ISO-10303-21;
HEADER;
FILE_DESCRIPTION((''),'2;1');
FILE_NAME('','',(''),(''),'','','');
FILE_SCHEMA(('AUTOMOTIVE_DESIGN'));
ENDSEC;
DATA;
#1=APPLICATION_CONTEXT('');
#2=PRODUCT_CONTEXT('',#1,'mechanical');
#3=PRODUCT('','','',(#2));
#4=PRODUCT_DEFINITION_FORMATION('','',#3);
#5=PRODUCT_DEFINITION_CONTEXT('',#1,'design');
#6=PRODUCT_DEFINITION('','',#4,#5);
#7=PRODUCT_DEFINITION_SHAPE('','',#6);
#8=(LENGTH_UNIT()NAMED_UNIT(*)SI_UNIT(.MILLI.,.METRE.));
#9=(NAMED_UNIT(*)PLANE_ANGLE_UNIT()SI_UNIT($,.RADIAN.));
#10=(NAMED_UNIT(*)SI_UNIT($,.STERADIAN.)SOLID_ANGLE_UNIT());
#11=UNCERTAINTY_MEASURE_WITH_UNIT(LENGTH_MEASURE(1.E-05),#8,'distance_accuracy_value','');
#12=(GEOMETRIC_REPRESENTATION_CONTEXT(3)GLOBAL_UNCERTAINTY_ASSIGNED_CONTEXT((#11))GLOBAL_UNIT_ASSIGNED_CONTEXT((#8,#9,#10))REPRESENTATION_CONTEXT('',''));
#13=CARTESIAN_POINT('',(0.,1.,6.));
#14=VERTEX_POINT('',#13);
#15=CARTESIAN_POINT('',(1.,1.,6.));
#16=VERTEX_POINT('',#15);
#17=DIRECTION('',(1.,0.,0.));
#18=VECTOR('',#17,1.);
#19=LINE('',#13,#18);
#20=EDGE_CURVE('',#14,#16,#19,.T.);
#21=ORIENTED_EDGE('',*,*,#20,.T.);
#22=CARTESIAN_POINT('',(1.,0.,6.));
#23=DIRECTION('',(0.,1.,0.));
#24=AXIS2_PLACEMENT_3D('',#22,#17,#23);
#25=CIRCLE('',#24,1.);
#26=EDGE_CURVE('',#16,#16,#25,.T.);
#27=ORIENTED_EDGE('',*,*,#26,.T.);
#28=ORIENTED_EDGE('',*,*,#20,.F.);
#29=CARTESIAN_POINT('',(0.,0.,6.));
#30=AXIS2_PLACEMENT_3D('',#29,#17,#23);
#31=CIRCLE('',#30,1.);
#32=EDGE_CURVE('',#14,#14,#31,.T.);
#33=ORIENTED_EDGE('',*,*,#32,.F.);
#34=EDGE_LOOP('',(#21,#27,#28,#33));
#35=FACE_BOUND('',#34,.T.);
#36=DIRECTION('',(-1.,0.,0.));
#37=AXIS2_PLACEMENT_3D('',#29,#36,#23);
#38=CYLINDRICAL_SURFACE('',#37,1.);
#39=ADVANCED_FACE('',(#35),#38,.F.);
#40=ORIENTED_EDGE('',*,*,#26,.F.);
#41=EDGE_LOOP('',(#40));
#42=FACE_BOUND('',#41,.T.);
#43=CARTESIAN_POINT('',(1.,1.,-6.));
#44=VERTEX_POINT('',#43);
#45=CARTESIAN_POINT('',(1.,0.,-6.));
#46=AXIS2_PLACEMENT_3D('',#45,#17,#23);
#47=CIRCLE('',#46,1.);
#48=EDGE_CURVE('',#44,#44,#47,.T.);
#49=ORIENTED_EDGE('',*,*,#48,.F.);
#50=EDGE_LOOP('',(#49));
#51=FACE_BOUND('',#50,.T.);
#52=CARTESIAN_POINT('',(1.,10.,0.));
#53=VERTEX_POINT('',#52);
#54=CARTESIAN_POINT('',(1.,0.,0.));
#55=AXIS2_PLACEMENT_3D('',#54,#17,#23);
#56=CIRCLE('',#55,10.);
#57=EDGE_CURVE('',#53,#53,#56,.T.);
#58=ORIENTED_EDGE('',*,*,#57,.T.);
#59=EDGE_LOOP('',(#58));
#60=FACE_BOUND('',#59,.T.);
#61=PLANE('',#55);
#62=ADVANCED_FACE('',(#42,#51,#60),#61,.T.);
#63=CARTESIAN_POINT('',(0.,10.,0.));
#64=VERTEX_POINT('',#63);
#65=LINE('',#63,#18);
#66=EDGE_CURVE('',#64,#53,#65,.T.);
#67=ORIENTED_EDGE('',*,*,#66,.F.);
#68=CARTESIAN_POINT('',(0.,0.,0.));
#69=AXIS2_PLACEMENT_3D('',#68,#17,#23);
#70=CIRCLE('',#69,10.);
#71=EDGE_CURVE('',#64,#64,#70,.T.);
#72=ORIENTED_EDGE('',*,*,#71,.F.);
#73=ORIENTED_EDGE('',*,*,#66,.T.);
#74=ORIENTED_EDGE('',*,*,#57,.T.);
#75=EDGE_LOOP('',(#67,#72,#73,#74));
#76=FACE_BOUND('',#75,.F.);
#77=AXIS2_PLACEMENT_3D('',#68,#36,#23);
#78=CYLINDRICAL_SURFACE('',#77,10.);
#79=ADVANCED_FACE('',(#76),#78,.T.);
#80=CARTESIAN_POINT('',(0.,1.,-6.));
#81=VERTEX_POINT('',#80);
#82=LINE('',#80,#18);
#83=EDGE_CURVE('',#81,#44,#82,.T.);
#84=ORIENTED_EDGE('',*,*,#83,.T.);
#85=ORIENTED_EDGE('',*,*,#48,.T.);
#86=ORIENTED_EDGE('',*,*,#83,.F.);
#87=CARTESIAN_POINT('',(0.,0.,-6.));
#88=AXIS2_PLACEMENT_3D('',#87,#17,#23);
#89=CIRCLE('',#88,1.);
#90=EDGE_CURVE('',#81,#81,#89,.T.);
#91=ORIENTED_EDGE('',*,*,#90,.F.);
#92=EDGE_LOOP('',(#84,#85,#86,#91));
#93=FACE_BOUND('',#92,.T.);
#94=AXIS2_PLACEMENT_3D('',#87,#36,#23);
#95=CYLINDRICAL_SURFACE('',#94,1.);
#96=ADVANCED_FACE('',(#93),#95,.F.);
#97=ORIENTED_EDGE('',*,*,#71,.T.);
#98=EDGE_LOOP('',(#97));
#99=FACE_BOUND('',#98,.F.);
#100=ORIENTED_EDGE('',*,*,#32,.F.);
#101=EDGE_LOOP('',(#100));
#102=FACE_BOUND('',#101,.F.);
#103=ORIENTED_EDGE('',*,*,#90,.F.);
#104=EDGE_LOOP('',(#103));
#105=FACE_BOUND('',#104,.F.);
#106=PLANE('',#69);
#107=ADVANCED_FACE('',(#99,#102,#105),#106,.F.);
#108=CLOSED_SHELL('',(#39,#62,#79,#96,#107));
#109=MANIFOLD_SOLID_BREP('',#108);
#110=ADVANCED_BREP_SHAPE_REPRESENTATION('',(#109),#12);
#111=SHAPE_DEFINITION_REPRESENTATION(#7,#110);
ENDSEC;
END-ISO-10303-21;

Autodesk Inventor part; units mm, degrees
ref_plane "YZ Plane" through (0, 0, 0) normal (1, 0, 0) x (0, 1, 0)
ref_plane "XZ Plane" through (0, 0, 0) normal (0, 1, 0) x (-1, 0, 0)
ref_plane "XY Plane" through (0, 0, 0) normal (0, 0, 1) x (1, 0, 0)
sketch "Sketch19" plane through (0, 0, 0) normal (1, 0, 0) x (0, 1, 0)
  circle A0 centre (0, 0) radius 10
  line L0 (0, 0) -> (10, 0) construction
  line L1 (0, 0) -> (0, 6) construction
  circle A1 centre (0, 6) radius 1
  circle A2 centre (0, -6) radius 1
  dimension "d111" = 20
  dimension "d112" = 2
  dimension "d113" = 6
extrude "Extrusion16" add sketch "Sketch19" along normal blind 1
properties part number "Nut3"
